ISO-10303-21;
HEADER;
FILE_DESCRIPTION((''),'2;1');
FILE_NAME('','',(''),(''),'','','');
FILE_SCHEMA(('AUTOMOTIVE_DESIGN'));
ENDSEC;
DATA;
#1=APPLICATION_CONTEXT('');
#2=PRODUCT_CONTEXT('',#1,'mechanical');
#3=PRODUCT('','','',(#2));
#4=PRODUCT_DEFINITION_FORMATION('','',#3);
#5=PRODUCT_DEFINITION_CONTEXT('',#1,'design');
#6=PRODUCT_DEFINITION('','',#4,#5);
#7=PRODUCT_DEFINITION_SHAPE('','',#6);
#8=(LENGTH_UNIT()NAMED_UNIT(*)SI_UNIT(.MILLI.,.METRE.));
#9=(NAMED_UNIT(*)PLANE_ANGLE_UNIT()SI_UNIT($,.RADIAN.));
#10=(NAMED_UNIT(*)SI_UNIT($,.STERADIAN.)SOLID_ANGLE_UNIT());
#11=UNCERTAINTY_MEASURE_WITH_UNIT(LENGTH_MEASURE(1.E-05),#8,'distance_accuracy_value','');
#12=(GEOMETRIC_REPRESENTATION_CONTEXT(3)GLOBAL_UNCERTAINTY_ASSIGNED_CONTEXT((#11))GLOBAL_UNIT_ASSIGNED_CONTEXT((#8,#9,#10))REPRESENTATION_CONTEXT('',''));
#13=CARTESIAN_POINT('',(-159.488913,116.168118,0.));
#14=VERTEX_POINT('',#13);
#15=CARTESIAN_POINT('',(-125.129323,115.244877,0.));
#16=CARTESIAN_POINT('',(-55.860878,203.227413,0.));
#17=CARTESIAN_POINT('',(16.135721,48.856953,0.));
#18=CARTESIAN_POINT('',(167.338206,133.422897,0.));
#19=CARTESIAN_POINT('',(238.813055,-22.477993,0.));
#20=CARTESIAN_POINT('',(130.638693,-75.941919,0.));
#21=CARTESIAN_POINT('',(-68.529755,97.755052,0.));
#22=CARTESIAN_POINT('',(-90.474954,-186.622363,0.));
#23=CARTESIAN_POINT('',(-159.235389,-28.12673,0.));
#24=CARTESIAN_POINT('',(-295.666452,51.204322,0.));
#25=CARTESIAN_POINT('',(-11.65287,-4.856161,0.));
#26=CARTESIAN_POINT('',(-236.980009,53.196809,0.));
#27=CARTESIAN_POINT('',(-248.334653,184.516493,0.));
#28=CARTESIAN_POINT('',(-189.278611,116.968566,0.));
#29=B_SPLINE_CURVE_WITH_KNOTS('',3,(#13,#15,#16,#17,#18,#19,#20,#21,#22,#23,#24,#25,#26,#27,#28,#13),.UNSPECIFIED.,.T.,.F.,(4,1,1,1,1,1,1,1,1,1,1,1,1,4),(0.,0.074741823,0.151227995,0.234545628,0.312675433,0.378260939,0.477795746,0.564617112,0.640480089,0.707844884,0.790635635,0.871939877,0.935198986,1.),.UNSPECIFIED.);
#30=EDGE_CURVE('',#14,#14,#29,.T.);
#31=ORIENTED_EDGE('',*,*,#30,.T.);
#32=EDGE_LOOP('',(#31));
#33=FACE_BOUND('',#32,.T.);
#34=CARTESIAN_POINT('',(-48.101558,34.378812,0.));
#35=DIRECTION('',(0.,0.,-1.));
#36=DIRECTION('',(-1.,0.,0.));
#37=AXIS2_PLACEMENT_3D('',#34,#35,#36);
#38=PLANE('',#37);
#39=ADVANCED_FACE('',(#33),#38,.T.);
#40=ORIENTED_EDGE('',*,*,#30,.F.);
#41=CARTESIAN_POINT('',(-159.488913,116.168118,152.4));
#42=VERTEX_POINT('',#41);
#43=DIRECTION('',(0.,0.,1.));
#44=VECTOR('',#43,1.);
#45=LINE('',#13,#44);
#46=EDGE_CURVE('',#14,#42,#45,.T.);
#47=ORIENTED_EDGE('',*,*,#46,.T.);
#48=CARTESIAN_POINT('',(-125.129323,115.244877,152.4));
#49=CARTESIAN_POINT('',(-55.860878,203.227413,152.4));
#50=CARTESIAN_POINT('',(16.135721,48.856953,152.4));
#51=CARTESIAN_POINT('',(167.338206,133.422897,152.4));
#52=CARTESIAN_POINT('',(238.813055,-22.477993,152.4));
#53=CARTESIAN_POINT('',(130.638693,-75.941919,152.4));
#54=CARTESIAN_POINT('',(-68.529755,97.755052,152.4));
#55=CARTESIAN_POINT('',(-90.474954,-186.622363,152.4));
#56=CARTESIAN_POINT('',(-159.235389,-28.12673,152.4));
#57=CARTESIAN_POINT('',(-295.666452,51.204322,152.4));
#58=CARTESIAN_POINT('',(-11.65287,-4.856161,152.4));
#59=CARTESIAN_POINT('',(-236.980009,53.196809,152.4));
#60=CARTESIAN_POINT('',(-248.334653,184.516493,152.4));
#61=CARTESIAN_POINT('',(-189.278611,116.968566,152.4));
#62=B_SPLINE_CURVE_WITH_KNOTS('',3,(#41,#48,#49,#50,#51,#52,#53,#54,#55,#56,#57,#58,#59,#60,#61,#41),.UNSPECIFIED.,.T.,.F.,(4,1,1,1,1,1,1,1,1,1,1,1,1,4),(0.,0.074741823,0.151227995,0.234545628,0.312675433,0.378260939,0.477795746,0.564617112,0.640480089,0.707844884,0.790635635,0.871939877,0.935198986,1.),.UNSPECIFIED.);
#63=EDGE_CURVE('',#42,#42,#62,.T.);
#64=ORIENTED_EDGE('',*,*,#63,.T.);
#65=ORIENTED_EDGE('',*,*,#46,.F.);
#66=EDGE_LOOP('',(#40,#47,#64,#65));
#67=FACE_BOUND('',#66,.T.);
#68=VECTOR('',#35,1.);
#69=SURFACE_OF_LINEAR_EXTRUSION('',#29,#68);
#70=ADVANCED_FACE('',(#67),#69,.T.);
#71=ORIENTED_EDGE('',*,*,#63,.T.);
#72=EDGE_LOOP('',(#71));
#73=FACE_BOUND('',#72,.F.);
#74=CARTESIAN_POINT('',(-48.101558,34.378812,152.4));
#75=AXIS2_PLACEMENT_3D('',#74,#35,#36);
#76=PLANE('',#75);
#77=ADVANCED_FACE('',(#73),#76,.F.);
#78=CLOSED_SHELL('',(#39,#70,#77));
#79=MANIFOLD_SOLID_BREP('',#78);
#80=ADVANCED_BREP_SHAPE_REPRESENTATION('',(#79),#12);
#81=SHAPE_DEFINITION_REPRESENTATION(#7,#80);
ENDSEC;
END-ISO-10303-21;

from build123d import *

# Parameters (mm, degrees)
F1_DEPTH = 152.4


with BuildPart() as f1:
    # F0 (on Top) → F1 (new body)
    with BuildSketch(Plane.XY):
        with BuildLine():
            add(Edge.make_bspline(
                [(-159.4889134427, 116.1681179665), (-125.1293229407, 115.2448768139), (-55.8608781339, 203.2274129718), (16.1357210558, 48.8569531231), (167.338206421, 133.4228974991), (238.8130553355, -22.4779933763), (130.6386933533, -75.9419192913), (-68.5297550953, 97.7550522566), (-90.4749539588, -186.6223628153), (-159.2353892508, -28.1267301542), (-295.6664521879, 51.2043216319), (-11.6528701617, -4.8561608901), (-236.9800085649, 53.1968089488), (-248.3346534019, 184.5164932199), (-189.2786114362, 116.9685662462), (-159.4889134427, 116.1681179665)],
                knots=[0, 0, 0, 0, 0.0747418226, 0.1512279952, 0.234545628, 0.3126754326, 0.378260939, 0.4777957457, 0.5646171115, 0.6404800886, 0.7078448837, 0.7906356346, 0.871939877, 0.9351989855, 1, 1, 1, 1], degree=3))
        make_face()
    extrude(amount=F1_DEPTH)


solid = f1.part
